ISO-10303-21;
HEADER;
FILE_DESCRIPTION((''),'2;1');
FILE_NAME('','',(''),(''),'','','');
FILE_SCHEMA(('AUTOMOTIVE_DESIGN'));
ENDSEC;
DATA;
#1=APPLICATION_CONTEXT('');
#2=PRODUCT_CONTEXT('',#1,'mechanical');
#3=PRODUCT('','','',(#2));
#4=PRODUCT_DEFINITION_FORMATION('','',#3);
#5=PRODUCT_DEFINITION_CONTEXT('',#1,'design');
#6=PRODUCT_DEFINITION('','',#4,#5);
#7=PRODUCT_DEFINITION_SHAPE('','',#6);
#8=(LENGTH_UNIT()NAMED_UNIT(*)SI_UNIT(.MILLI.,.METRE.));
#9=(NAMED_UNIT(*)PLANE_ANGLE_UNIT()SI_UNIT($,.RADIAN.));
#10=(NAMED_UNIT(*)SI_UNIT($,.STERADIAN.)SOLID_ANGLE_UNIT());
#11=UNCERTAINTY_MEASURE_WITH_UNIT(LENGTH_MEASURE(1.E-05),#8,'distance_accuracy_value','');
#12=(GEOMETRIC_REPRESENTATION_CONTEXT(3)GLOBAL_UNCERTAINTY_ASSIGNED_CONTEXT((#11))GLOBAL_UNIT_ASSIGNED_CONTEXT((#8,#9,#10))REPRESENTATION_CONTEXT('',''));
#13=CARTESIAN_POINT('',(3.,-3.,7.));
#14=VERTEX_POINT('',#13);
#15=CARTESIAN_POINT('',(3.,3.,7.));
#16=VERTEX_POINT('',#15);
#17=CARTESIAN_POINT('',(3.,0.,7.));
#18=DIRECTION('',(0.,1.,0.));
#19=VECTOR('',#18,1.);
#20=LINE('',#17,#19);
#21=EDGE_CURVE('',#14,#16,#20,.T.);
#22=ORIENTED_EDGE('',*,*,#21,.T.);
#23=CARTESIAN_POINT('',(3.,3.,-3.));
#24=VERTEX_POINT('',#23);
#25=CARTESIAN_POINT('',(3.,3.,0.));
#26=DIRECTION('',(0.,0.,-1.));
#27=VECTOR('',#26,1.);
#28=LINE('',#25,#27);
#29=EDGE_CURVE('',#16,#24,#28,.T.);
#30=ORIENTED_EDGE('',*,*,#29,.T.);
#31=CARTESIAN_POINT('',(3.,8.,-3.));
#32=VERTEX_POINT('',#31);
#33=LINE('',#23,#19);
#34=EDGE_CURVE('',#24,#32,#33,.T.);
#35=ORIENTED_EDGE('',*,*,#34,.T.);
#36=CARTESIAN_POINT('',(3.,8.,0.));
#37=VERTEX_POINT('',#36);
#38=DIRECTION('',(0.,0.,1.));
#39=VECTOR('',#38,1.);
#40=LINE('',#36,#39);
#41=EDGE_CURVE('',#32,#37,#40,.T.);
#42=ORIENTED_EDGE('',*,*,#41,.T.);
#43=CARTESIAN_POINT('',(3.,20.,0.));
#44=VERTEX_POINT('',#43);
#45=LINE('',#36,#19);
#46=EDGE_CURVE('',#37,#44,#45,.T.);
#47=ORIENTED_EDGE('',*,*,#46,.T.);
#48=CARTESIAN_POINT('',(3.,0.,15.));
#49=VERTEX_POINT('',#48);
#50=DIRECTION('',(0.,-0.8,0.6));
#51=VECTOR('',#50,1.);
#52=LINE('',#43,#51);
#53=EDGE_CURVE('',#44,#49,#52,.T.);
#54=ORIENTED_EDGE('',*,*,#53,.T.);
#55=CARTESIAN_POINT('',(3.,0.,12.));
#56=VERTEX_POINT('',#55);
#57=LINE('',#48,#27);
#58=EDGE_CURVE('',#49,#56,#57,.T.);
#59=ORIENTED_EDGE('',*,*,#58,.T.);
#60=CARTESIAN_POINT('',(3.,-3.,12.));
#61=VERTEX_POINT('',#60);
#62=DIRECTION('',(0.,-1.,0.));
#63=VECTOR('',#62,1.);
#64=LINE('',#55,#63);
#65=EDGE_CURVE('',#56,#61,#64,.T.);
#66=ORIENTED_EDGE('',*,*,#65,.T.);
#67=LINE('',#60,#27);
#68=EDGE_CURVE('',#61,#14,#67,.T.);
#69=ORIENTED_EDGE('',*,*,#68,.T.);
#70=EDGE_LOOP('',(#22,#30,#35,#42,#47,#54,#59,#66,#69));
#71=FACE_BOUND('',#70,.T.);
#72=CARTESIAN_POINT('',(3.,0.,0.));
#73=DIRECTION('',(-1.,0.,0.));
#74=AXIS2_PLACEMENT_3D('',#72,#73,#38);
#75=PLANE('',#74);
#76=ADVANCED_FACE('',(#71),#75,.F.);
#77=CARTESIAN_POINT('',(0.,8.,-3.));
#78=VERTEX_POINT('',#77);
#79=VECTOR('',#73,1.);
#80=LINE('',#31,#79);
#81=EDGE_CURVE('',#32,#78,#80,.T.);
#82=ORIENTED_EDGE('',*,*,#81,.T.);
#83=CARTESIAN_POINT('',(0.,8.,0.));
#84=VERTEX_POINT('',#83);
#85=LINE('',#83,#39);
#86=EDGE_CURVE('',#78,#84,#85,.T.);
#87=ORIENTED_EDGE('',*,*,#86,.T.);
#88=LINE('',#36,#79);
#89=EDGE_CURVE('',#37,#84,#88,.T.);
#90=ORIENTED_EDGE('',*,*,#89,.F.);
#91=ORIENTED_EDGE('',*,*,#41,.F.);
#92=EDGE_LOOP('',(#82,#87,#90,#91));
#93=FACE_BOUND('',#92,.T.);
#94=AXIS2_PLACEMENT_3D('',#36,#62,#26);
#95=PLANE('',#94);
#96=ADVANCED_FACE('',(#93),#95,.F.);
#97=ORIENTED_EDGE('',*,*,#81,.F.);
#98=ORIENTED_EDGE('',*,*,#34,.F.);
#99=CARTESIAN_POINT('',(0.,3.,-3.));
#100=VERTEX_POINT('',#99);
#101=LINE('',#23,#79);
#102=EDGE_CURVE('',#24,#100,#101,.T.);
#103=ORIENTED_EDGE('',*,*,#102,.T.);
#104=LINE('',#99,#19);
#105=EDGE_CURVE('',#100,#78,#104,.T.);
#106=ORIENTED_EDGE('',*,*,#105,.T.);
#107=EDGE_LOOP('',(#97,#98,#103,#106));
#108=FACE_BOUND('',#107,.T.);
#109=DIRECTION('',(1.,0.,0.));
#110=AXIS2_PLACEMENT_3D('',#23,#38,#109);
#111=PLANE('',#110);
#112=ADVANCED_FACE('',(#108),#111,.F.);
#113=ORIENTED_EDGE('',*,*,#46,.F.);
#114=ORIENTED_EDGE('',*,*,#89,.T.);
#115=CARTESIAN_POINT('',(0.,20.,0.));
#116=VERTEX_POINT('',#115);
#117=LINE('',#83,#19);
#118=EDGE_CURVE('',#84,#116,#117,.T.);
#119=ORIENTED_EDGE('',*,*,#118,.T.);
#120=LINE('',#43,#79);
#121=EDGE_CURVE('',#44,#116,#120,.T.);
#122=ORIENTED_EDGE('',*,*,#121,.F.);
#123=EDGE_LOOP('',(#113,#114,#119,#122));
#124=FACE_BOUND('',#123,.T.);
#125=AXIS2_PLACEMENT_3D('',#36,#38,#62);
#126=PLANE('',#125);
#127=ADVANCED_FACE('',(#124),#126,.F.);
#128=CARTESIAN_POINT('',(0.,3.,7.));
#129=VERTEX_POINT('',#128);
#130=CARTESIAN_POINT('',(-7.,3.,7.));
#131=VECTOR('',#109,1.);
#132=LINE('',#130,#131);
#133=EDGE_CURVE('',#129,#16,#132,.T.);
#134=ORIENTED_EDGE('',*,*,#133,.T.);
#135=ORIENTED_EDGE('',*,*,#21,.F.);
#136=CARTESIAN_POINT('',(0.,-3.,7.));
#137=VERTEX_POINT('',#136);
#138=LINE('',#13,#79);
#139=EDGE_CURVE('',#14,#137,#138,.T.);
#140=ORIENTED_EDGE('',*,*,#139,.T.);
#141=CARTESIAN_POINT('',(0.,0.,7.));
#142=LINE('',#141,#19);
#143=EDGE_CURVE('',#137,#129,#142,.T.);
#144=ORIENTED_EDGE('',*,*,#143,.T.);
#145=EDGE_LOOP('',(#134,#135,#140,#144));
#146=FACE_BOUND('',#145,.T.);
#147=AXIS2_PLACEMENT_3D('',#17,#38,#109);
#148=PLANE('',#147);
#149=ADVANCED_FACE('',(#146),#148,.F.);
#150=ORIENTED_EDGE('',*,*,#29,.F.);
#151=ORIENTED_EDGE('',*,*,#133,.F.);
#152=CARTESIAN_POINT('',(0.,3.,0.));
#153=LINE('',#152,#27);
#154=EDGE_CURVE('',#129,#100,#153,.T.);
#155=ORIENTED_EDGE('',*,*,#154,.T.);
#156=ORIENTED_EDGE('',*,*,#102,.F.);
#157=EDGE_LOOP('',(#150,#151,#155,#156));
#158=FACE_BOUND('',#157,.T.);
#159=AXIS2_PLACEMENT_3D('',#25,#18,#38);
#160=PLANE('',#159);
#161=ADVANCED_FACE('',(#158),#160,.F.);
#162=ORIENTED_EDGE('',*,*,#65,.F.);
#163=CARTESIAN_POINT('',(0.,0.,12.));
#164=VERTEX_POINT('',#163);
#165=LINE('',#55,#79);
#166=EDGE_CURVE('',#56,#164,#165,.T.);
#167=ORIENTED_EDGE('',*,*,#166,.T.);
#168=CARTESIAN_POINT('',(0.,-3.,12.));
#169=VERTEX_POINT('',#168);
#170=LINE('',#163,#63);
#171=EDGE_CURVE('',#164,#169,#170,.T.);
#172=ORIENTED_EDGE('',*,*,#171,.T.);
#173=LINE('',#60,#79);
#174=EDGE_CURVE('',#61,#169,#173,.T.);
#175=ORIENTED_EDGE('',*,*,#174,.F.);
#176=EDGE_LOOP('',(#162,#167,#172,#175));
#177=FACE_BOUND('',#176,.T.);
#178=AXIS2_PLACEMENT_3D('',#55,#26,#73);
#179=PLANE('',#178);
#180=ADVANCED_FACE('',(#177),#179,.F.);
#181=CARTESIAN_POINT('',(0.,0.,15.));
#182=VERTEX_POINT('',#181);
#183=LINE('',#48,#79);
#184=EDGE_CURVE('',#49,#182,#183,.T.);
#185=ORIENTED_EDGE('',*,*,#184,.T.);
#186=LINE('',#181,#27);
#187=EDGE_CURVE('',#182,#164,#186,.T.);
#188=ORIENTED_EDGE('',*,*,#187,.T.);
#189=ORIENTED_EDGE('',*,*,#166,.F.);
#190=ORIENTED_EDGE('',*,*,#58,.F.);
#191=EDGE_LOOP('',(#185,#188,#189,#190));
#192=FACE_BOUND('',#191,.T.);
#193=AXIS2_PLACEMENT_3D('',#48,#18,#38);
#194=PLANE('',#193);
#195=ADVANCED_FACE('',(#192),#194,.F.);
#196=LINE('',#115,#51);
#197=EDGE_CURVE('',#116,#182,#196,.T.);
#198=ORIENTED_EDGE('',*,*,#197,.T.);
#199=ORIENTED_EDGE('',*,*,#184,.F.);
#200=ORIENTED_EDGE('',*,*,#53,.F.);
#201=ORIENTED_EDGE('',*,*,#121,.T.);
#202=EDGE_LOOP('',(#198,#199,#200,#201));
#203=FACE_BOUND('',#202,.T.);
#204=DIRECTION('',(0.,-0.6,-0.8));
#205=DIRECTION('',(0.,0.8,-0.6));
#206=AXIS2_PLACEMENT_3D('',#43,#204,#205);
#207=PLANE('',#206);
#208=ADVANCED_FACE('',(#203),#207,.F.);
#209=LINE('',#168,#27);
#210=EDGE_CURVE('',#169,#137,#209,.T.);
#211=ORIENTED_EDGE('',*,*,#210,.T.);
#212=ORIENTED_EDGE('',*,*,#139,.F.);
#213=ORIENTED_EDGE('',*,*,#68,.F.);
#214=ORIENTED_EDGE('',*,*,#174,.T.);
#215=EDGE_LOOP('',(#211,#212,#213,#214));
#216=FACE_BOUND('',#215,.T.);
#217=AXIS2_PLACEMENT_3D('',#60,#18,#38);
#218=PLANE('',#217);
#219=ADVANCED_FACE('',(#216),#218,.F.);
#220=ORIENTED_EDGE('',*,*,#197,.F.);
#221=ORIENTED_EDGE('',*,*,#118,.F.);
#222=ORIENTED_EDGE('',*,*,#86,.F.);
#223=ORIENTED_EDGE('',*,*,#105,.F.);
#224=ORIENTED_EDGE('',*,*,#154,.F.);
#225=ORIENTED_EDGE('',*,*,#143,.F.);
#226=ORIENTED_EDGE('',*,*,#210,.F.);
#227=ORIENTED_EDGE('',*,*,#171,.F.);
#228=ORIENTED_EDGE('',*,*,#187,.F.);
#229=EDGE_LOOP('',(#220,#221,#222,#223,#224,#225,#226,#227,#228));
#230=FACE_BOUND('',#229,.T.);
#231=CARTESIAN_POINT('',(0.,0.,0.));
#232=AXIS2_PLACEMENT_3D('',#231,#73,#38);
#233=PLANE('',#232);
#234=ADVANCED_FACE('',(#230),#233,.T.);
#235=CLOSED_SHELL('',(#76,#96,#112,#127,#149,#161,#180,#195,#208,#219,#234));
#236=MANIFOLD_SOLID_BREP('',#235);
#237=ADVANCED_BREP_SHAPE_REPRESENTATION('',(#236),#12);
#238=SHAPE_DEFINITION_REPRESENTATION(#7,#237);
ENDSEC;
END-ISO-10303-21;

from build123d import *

# Parameters (mm, degrees)
BOSS_EXTRUDE1_DEPTH = 3
SKETCH2_W           = 7
SKETCH2_H           = 3
CUT_EXTRUDE1_DEPTH  = 10


with BuildPart() as part:
    # Sketch1 → Boss-Extrude1 (new body)
    with BuildSketch(Plane(origin=(0, 0, 0), x_dir=(0, 0, -1), z_dir=(1, 0, 0))):
        Polygon((0, 20), (-15, 0), (-12, 0), (-12, -3), (-7, -3), (-7, 0), (0, 0), (0, 3), (3, 3), (3, 8), (0, 8), align=None)
    extrude(amount=BOSS_EXTRUDE1_DEPTH)

    # Sketch2 → Cut-Extrude1 (cut)
    with BuildSketch(Plane(origin=(3, 0, 0), x_dir=(0, 0, -1), z_dir=(1, 0, 0))):
        with Locations((-3.5, 1.5)):
            Rectangle(SKETCH2_W, SKETCH2_H)
    extrude(amount=-CUT_EXTRUDE1_DEPTH, mode=Mode.SUBTRACT)


solid = part.part
